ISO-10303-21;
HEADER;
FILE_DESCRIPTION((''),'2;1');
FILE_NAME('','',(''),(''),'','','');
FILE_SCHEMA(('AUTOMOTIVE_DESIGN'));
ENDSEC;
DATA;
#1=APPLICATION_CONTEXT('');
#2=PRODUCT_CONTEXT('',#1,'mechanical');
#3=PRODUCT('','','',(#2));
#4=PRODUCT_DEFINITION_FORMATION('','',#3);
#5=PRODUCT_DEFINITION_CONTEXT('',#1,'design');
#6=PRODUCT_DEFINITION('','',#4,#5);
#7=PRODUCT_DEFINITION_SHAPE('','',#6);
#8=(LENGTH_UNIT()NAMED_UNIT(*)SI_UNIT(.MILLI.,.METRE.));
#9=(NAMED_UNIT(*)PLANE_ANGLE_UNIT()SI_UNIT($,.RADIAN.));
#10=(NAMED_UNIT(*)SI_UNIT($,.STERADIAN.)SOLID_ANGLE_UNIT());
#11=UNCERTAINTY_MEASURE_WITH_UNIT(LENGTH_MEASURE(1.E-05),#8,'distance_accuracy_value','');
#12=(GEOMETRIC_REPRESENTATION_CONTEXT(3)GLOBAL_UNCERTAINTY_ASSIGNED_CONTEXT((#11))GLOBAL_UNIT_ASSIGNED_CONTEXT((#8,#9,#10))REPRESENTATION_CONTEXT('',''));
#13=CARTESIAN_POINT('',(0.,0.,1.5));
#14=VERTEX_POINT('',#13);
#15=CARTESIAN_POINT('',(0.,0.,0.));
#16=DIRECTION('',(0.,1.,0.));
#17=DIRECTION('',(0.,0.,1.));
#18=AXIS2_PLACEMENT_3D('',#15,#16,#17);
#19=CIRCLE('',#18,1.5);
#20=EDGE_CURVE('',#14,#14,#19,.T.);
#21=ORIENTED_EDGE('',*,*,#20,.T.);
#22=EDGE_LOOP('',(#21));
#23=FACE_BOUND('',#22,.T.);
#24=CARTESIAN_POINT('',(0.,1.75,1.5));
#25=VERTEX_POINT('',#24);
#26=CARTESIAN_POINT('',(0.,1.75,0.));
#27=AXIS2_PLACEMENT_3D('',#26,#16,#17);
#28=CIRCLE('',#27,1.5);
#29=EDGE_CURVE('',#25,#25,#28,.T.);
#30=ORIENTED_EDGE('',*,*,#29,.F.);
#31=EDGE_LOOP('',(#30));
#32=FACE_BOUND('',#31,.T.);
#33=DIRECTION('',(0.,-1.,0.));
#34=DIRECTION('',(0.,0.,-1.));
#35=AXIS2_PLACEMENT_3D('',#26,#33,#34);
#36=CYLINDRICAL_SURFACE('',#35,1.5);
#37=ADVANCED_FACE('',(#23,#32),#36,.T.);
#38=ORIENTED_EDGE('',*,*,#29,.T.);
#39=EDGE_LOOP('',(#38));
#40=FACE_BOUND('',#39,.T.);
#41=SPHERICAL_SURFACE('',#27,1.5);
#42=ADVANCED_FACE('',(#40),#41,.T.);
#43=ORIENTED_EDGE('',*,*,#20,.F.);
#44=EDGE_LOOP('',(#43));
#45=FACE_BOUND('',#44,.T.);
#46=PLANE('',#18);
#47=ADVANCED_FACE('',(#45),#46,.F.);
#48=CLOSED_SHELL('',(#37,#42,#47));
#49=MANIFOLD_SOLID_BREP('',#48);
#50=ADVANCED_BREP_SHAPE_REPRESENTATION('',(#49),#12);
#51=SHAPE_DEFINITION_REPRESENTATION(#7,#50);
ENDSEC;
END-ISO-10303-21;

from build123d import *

# Parameters (mm, degrees)
SKETCH1_R           = 1.5
BOSS_EXTRUDE1_DEPTH = 1.75
DOME1_FACE_RADIUS   = 1.5
DOME1_HEIGHT        = 1.5


with BuildPart() as part:
    # Sketch1 → Boss-Extrude1 (new body)
    with BuildSketch(Plane(origin=(0, 0, 0), x_dir=(1, 0, 0), z_dir=(0, 1, 0))):
        Circle(SKETCH1_R)
    extrude(amount=BOSS_EXTRUDE1_DEPTH)

    # Dome1: a dome of height H over a round flat face of radius A is a cap of a sphere of radius (A * A + H * H) / (2 * H)
    dome1_r = (DOME1_FACE_RADIUS * DOME1_FACE_RADIUS + DOME1_HEIGHT * DOME1_HEIGHT) / (2 * DOME1_HEIGHT)
    dome1_base = Plane((0, 1.75, 0), z_dir=(0, 1, 0))
    with Locations(dome1_base.offset(DOME1_HEIGHT - dome1_r)):
        dome1_ball = Sphere(dome1_r, mode=Mode.PRIVATE)
    add(split(dome1_ball, bisect_by=dome1_base, keep=Keep.TOP, mode=Mode.PRIVATE))


solid = part.part
